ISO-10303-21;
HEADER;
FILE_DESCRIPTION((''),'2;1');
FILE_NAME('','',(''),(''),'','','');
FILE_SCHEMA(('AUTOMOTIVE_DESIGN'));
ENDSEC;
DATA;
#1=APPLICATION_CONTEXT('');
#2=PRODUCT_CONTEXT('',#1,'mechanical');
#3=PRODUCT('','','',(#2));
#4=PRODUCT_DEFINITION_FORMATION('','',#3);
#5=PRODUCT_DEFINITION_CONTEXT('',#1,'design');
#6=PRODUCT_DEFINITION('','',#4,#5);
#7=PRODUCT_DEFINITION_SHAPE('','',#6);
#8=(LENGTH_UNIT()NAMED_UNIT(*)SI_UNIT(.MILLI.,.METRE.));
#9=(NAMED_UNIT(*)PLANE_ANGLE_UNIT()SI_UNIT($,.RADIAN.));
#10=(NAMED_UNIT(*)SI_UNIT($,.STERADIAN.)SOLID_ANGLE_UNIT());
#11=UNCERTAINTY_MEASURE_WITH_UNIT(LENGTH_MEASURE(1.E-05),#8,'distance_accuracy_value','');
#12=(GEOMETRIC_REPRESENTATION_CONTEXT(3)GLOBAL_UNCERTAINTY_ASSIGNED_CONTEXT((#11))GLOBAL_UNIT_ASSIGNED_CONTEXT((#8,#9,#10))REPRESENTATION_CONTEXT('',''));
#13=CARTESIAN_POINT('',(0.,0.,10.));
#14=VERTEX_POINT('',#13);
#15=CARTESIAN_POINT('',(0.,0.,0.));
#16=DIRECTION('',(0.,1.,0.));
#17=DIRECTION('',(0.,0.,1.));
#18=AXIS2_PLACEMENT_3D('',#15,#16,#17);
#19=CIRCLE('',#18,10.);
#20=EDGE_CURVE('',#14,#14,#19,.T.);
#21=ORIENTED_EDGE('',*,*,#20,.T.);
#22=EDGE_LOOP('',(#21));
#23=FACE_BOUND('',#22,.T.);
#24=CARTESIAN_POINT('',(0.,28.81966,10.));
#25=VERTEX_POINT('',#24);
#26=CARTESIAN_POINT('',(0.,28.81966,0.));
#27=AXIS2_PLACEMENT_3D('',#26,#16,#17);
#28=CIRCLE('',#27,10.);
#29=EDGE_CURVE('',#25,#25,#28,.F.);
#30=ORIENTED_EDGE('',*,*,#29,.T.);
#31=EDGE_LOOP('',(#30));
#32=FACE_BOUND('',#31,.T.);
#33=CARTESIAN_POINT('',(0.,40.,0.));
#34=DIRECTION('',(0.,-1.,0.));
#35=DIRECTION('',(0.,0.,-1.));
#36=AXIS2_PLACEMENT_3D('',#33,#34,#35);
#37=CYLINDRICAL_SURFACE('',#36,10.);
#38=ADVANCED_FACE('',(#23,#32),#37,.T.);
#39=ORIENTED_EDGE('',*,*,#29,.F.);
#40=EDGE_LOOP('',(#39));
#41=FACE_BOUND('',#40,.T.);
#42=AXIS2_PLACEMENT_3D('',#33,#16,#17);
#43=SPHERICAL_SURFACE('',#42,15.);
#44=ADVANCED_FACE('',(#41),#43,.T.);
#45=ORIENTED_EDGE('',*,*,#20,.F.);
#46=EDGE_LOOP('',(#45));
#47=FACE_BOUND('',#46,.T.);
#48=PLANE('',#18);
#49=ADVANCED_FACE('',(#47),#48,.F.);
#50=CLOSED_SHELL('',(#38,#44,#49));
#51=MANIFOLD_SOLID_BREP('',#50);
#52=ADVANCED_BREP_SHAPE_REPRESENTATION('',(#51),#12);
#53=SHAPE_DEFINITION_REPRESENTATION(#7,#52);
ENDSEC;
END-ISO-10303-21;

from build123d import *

# Parameters (mm, degrees)
SKETCH_1_R      = 10
EXTRUDE_1_DEPTH = 40


with BuildPart() as part:
    # 草图1 → 凸台-拉伸1 (new body)
    with BuildSketch(Plane(origin=(0, 0, 0), x_dir=(1, 0, 0), z_dir=(0, 1, 0))):
        with Locations(Location((0, 0, 0), (0, 0, 270))):
            Circle(SKETCH_1_R)
    extrude(amount=EXTRUDE_1_DEPTH)

    # 草图2 → 旋转2 (revolve)
    with BuildSketch(Plane(origin=(0, 40, 0), x_dir=(1, 0, 0), z_dir=(0, 1, 0))):
        with BuildLine():
            Line((0, -15), (0, 15))
            ThreePointArc((0, 15), (15, 0), (0, -15))
        make_face()
    revolve(axis=Axis((0, 40, 15), (0, 0, -1)))


solid = part.part
